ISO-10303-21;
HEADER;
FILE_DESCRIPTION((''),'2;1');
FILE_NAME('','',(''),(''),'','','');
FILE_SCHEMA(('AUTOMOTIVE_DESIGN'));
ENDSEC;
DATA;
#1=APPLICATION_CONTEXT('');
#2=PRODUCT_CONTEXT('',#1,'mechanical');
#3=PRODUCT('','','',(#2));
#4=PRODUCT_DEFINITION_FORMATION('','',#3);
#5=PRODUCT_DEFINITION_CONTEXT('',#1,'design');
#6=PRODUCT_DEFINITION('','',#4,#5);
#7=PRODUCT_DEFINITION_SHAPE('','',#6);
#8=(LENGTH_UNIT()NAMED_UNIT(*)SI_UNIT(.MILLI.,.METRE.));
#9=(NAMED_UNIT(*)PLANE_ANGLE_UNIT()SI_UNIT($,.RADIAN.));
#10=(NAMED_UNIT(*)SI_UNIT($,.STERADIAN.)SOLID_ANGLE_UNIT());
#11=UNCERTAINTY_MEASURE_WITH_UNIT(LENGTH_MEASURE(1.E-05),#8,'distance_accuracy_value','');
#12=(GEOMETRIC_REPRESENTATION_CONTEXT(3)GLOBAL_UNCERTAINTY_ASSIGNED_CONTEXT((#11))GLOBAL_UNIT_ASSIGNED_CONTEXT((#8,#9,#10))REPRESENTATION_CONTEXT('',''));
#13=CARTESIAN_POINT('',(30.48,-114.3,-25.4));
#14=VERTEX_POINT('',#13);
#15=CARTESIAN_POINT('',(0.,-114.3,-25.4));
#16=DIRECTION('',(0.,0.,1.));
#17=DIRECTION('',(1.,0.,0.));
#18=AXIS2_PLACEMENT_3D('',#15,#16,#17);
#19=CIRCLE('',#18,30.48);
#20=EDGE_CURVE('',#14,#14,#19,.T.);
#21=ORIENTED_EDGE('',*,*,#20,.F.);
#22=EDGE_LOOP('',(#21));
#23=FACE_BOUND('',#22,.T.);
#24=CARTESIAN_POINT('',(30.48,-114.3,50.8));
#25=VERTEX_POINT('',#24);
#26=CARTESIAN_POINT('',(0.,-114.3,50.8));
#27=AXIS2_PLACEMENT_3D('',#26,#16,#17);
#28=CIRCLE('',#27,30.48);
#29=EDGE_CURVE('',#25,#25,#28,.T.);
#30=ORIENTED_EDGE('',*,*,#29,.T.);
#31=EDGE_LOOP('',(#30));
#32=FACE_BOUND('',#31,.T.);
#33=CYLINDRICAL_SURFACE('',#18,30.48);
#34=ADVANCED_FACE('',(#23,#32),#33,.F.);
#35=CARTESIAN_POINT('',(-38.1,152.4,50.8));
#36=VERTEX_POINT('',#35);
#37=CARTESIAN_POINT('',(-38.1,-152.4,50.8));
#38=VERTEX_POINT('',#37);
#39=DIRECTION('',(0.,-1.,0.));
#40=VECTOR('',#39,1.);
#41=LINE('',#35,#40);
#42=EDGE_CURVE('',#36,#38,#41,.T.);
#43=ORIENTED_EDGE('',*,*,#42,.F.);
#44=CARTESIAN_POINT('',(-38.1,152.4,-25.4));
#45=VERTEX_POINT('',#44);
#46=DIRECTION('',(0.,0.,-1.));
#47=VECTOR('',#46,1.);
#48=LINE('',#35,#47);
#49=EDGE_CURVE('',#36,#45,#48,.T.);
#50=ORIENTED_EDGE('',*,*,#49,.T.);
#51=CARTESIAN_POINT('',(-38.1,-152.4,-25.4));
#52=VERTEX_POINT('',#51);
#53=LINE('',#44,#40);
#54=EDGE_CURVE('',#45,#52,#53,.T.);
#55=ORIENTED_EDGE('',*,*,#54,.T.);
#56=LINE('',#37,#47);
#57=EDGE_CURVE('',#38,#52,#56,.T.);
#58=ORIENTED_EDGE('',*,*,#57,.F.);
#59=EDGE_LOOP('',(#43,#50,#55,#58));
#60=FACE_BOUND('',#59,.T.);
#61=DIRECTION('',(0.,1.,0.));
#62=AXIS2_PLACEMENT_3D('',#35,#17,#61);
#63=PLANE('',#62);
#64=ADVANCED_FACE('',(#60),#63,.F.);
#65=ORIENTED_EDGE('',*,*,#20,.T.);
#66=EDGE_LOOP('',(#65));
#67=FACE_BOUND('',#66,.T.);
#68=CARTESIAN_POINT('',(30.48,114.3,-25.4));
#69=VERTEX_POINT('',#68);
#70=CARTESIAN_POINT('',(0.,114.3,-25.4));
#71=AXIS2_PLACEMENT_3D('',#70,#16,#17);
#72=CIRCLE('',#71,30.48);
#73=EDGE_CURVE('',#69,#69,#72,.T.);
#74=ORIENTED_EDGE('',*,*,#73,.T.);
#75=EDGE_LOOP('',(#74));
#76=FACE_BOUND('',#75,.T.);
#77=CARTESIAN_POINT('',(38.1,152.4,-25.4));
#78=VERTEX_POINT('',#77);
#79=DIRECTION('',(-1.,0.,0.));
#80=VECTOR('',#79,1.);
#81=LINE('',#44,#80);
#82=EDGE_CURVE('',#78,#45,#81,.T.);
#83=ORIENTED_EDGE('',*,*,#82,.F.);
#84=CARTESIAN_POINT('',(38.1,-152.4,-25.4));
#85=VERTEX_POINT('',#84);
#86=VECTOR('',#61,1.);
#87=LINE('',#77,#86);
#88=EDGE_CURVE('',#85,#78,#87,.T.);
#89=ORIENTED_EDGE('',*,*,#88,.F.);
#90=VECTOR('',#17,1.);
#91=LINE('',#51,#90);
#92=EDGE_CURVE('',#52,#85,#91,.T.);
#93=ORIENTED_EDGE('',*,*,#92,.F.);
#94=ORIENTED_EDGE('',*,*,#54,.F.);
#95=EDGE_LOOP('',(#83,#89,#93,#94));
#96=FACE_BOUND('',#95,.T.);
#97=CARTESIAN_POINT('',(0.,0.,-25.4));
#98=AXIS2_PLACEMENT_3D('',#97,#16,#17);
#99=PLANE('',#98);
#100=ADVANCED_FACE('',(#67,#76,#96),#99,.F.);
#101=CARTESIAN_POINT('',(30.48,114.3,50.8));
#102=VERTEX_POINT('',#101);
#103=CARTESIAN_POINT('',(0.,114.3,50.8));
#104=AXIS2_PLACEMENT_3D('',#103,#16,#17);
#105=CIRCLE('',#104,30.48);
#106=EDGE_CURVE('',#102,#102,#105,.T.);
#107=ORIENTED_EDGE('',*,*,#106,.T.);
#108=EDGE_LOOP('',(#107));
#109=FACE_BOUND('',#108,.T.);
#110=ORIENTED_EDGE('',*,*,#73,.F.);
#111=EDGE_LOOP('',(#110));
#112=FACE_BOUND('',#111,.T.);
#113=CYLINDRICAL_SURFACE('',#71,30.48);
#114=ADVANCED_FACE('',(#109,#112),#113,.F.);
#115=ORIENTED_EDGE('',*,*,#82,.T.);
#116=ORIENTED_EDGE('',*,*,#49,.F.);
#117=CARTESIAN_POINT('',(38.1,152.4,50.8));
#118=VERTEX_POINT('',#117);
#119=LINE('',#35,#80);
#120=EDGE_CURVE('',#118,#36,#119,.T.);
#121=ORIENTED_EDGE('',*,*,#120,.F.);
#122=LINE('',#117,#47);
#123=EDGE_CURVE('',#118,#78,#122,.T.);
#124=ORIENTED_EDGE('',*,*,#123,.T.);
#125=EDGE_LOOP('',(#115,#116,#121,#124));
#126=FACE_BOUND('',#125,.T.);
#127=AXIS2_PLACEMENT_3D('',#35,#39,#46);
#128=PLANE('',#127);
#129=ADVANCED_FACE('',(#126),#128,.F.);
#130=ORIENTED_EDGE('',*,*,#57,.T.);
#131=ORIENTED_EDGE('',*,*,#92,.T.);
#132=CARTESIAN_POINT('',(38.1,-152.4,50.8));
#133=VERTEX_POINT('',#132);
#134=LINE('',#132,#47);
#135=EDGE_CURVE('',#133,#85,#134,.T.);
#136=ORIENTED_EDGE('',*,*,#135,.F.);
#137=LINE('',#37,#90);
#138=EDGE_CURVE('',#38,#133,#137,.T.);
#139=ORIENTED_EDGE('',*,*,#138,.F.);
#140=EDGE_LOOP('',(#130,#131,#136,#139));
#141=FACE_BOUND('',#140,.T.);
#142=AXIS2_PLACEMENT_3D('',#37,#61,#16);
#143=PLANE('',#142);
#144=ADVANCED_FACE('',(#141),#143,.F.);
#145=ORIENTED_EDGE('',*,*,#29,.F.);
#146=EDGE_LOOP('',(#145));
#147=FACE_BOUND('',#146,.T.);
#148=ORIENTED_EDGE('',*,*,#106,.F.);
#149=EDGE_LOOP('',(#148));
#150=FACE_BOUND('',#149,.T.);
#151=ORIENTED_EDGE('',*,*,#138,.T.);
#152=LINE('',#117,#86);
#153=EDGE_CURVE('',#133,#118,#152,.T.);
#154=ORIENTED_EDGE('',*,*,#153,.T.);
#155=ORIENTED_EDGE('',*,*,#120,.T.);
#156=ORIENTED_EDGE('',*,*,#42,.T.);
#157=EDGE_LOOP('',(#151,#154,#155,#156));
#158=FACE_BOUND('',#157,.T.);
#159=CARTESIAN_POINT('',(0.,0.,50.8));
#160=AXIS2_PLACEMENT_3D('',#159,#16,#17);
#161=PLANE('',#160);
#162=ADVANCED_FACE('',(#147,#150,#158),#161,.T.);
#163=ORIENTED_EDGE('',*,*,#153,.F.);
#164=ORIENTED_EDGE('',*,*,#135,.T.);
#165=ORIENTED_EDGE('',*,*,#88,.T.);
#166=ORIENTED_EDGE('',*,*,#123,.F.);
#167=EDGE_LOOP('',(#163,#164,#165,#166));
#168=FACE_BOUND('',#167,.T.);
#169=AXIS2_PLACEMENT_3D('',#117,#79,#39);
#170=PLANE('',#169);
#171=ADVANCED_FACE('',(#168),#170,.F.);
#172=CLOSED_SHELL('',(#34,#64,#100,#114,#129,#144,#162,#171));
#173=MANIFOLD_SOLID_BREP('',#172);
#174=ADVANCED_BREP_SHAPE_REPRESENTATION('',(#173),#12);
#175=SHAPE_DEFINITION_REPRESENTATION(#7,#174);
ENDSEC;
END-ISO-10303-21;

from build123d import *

# Parameters (mm, degrees)
SKETCH1_W           = 25.4
SKETCH1_H           = 101.6
BOSS_EXTRUDE1_DEPTH = 25.4
SKETCH2_R           = 10.16
CUT_EXTRUDE1_DEPTH  = 25.4
SCALE1_SCALE        = 3


with BuildPart() as part:
    # Sketch1 → Boss-Extrude1 (new body)
    with BuildSketch(Plane.XY):
        Rectangle(SKETCH1_W, SKETCH1_H)
    extrude(amount=BOSS_EXTRUDE1_DEPTH)

    # Sketch2 → Cut-Extrude1 (cut)
    with BuildSketch(Plane.XY.offset(25.4)):
        with Locations((0, -38.1)):
            Circle(SKETCH2_R)
        with Locations((0, 38.1)):
            Circle(SKETCH2_R)
    extrude(amount=-CUT_EXTRUDE1_DEPTH, mode=Mode.SUBTRACT)


with BuildPart() as part_1:
    # Scale1: scaled about (0, 0, 12.7)
    add(part.part.scale(SCALE1_SCALE).moved(Location((0, 0, -25.4))))


solid = part_1.part
